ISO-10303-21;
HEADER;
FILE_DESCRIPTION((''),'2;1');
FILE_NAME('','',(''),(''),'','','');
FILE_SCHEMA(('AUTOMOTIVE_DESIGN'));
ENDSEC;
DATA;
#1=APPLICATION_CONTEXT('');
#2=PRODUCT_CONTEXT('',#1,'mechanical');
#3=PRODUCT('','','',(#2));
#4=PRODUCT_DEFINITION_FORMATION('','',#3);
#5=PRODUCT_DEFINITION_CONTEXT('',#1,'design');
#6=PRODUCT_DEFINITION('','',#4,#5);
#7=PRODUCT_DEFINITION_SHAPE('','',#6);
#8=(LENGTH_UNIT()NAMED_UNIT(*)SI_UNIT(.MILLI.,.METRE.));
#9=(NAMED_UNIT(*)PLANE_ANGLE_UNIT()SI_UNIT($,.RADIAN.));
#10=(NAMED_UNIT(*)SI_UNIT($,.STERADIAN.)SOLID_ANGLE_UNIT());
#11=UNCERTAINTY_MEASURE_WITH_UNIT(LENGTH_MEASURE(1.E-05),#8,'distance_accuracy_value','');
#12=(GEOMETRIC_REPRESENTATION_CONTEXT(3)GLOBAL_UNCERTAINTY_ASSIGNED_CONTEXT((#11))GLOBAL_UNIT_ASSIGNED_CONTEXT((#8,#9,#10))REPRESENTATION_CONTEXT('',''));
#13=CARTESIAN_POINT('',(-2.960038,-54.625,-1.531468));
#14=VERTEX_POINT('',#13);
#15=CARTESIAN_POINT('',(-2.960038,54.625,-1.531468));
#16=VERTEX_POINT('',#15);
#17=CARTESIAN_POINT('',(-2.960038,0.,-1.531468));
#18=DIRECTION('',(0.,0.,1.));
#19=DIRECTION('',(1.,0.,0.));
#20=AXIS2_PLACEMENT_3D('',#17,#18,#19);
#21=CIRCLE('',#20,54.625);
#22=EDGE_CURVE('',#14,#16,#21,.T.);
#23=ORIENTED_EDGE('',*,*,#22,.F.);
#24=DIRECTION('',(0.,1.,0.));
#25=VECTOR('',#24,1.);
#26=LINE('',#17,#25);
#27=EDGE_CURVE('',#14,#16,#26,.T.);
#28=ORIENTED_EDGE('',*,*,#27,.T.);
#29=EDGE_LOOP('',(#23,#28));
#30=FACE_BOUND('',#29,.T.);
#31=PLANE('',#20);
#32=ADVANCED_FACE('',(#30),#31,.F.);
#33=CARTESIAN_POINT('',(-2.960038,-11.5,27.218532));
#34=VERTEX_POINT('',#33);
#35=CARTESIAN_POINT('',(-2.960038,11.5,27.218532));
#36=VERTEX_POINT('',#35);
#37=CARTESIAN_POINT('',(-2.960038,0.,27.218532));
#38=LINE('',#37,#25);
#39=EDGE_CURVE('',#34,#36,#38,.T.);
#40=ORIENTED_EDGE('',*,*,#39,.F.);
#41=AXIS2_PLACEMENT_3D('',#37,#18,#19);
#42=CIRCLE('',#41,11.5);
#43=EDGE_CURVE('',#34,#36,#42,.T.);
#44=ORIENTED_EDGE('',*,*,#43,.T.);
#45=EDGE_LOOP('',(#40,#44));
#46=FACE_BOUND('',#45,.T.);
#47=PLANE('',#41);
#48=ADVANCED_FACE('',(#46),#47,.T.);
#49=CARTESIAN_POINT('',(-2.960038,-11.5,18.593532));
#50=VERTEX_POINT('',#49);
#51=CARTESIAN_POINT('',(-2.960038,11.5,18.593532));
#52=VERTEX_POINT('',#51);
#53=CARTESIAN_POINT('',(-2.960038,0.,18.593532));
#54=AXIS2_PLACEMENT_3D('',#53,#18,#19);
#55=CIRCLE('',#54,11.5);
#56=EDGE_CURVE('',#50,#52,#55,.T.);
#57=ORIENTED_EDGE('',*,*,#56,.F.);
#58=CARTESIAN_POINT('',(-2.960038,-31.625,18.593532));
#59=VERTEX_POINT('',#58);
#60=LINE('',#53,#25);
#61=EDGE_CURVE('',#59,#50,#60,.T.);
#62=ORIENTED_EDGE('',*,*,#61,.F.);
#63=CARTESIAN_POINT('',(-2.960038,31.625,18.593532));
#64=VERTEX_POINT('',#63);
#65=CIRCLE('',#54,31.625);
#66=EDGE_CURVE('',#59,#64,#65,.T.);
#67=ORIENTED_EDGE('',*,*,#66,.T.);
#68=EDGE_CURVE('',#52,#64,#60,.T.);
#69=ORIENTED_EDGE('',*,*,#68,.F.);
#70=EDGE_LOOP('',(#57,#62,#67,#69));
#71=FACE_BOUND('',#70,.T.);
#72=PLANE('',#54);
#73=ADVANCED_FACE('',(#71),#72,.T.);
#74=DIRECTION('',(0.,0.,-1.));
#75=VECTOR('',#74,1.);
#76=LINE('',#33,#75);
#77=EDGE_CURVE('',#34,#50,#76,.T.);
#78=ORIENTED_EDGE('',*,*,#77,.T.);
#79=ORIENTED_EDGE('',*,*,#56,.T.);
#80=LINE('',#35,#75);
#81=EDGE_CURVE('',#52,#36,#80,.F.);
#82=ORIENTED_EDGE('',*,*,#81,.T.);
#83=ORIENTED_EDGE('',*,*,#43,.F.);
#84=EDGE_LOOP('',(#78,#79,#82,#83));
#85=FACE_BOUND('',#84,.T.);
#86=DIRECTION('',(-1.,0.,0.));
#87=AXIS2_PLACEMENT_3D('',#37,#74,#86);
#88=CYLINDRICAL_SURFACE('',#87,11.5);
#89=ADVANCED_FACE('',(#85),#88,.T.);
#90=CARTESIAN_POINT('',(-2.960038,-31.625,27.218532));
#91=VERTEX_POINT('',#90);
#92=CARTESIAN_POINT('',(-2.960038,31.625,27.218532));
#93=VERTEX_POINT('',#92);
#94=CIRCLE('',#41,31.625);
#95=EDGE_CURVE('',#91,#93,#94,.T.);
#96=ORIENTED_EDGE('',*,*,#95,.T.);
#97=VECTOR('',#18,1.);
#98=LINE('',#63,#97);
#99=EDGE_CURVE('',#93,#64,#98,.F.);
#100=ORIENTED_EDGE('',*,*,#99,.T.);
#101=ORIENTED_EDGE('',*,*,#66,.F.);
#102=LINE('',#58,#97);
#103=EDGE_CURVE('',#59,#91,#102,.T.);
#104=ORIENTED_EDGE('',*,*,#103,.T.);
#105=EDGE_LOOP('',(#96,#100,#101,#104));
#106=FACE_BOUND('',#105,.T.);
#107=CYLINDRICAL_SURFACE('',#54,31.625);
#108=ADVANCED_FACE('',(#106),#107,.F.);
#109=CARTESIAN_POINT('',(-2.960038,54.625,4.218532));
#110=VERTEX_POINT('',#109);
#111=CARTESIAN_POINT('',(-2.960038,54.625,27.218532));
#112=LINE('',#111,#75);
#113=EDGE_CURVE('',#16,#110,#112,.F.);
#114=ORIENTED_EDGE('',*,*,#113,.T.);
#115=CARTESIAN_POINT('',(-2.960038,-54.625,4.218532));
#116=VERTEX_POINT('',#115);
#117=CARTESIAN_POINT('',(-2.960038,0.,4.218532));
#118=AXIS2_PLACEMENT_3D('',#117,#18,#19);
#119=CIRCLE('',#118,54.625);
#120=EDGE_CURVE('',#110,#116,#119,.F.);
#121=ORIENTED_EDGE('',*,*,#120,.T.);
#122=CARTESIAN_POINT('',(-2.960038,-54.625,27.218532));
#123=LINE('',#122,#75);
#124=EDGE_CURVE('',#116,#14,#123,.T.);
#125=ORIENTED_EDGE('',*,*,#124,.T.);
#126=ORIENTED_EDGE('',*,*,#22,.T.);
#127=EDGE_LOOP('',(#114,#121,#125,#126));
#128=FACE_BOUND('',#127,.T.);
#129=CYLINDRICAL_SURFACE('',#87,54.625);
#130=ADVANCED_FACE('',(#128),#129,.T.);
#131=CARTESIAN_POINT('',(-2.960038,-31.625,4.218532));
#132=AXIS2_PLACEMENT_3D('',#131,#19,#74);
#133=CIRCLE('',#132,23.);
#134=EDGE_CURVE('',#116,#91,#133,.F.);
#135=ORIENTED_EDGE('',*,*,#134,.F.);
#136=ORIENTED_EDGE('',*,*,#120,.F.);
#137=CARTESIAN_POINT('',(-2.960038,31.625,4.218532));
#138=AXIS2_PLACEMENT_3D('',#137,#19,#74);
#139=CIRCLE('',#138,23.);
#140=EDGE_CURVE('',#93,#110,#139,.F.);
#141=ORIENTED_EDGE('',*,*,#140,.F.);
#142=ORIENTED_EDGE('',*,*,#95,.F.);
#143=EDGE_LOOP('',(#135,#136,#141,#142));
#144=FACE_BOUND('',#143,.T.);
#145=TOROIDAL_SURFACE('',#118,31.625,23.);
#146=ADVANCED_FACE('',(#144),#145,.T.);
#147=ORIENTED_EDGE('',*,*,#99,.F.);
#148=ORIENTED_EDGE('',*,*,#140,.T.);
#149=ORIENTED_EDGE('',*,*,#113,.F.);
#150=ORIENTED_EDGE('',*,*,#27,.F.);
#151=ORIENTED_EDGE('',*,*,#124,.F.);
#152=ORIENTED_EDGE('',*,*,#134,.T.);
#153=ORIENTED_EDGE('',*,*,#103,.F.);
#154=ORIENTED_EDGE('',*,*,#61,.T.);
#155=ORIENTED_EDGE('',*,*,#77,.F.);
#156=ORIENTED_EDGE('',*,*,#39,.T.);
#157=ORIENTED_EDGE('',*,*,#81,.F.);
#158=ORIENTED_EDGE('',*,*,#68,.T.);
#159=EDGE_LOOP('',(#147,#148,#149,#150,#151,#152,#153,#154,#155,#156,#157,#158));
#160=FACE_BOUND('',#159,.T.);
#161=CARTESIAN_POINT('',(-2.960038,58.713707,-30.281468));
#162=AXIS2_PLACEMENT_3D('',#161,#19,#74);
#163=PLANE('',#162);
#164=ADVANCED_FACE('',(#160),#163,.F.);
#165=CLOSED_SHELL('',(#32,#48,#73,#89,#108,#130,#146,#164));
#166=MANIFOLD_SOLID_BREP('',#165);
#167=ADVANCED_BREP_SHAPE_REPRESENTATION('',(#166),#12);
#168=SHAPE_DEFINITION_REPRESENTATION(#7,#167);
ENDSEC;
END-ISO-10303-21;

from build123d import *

# Parameters (mm, degrees)
SKETCH1_R           = 47.5
BOSS_EXTRUDE2_DEPTH = 25
FILLET1_R           = 20
SKETCH3_R           = 10
BOSS_EXTRUDE3_DEPTH = 5
SKETCH4_R           = 27.5
CUT_EXTRUDE1_DEPTH  = 7.5
SKETCH5_R           = 10
BOSS_EXTRUDE5_DEPTH = 7.5
SKETCH6_W           = 48.682304138
SKETCH6_H           = 105.772137124
CUT_EXTRUDE2_DEPTH  = 50
SCALE4_SCALE        = 1.15


with BuildPart() as part:
    # Sketch1 → Boss-Extrude2 (new body)
    with BuildSketch(Plane.XY):
        Circle(SKETCH1_R)
    extrude(amount=BOSS_EXTRUDE2_DEPTH)

    # Fillet1
    fillet1_edges = [part.edges().sort_by_distance(p)[0] for p in [
        (-47.5, 0, 25),
    ]]
    fillet(fillet1_edges, radius=FILLET1_R)

    # Sketch3 → Boss-Extrude3 (add)
    with BuildSketch(Plane.XY.offset(25)):
        Circle(SKETCH3_R)
    extrude(amount=-BOSS_EXTRUDE3_DEPTH)

    # Sketch4 → Cut-Extrude1 (cut)
    with BuildSketch(Plane.XY.offset(25)):
        Circle(SKETCH4_R)
    extrude(amount=-CUT_EXTRUDE1_DEPTH, mode=Mode.SUBTRACT)

    # Sketch5 → Boss-Extrude5 (add)
    with BuildSketch(Plane.XY.offset(17.5)):
        Circle(SKETCH5_R)
    extrude(amount=BOSS_EXTRUDE5_DEPTH)

    # Sketch6 → Cut-Extrude2 (cut)
    with BuildSketch(Plane.XY.offset(25)):
        with Locations((-24.341152069, -1.830671604)):
            Rectangle(SKETCH6_W, SKETCH6_H)
    extrude(amount=-CUT_EXTRUDE2_DEPTH, mode=Mode.SUBTRACT)


with BuildPart() as part_1:
    # Scale4: scaled about (19.733587982, 0, 10.209783997)
    add(part.part.scale(SCALE4_SCALE).moved(Location((-2.960038197, 0, -1.5314676))))


solid = part_1.part
